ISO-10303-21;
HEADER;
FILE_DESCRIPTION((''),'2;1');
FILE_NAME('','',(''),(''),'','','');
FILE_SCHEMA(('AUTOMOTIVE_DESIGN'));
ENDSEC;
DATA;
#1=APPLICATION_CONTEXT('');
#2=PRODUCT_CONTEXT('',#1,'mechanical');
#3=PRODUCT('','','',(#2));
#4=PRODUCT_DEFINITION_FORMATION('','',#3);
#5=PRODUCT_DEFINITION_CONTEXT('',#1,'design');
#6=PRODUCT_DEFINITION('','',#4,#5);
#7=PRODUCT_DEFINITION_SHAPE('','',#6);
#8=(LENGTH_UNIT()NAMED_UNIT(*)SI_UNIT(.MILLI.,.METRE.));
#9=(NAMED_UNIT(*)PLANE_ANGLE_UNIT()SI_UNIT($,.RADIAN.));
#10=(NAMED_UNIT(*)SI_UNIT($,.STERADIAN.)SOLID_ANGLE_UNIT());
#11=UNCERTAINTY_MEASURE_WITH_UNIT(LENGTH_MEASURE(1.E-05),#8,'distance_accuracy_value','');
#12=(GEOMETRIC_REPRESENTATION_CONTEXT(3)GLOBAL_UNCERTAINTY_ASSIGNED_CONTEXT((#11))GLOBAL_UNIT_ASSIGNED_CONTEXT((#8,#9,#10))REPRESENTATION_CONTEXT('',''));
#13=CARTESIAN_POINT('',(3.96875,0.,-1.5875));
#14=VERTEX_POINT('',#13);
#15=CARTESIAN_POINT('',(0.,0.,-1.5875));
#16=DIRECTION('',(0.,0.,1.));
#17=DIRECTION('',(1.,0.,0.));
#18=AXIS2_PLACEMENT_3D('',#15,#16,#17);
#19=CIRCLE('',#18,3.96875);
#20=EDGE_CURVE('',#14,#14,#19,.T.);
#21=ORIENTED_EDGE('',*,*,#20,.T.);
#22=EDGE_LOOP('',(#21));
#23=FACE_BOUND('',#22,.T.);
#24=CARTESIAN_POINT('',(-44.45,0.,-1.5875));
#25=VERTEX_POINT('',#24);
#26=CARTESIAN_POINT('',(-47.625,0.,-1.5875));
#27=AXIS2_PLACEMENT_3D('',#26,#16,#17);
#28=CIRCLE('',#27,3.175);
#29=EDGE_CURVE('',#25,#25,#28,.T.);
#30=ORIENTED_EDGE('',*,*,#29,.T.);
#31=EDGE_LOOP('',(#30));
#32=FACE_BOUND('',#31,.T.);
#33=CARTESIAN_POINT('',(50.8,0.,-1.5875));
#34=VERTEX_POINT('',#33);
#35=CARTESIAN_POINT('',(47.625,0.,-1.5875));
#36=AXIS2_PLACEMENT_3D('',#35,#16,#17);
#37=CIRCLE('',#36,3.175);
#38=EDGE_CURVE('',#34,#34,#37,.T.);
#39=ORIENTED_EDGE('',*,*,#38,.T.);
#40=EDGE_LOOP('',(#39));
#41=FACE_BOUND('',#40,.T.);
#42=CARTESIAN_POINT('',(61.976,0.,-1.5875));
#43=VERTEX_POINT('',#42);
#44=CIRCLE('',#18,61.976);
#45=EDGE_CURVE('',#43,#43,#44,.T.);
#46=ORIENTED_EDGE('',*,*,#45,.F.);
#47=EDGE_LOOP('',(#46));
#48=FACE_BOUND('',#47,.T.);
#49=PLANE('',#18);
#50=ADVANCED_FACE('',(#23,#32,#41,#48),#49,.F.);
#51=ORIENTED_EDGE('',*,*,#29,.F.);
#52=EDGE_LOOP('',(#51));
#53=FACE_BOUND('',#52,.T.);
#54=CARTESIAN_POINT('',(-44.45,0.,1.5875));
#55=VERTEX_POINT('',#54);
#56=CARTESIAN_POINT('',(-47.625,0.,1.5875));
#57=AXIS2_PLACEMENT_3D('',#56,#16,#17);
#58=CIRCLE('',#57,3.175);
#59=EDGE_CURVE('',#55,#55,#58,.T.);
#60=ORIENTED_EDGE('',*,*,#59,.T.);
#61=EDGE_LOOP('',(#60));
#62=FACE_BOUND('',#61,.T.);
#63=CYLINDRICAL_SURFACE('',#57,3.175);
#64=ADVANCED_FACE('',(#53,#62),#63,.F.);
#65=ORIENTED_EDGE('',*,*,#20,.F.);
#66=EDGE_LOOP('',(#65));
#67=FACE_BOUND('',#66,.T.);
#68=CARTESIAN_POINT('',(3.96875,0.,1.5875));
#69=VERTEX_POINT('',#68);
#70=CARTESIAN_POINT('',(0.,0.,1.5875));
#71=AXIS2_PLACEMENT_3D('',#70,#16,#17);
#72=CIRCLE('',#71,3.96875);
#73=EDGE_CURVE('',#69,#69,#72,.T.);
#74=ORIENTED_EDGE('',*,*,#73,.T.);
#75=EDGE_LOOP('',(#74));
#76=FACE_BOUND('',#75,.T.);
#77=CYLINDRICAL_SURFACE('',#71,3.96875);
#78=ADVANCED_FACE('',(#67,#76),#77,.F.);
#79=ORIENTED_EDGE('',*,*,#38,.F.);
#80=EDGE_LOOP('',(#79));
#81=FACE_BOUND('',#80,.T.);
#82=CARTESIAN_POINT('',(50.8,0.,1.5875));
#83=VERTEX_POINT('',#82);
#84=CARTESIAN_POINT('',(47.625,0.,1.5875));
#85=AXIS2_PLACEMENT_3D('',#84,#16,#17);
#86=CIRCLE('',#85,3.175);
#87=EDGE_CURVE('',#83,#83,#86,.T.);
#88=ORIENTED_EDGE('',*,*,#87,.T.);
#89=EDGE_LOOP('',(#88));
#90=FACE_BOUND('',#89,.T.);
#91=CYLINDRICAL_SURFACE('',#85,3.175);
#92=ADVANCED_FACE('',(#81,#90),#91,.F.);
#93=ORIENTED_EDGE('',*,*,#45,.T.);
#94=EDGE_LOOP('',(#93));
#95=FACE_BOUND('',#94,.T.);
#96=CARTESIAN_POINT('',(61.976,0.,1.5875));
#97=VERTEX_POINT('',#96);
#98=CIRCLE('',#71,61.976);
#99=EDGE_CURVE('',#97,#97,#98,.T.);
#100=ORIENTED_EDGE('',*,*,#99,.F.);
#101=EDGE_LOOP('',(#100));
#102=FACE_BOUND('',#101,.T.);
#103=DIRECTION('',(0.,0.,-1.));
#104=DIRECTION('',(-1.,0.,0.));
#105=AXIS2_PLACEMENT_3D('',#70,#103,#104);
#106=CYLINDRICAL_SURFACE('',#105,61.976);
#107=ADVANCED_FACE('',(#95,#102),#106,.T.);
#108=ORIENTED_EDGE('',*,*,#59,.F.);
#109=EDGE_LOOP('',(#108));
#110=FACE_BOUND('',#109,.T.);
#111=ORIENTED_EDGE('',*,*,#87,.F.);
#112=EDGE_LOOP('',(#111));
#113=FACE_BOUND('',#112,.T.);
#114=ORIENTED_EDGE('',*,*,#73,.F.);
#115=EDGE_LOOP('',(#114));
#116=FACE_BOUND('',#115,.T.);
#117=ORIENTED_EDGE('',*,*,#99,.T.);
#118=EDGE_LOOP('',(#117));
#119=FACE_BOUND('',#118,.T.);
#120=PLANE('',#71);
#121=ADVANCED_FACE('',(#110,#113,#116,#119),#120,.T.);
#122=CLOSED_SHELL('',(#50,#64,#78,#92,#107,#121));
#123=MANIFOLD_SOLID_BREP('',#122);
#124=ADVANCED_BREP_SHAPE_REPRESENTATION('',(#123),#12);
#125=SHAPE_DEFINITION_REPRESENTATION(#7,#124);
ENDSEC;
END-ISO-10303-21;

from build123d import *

# Parameters (mm, degrees)
SKETCH1_R                          = 61.976
BOSS_EXTRUDE1_DEPTH                = 1.5875
F_1_4_0_25_DIAMETER_HOLE1_D        = 6.35
F_5_16_0_3125_DIAMETER_HOLE1_D     = 7.9375
F_5_16_0_3125_DIAMETER_HOLE1_DEPTH = 3.302


with BuildPart() as part:
    # Sketch1 → Boss-Extrude1 (new body, symmetric)
    with BuildSketch(Plane.XY):
        Circle(SKETCH1_R)
    extrude(amount=BOSS_EXTRUDE1_DEPTH, both=True)

    # 1/4 (0.25) Diameter Hole1 (through all)
    with Locations(Plane.XY.offset(1.5875)):
        with Locations((-47.625, 0), (47.625, 0)):
            Hole(F_1_4_0_25_DIAMETER_HOLE1_D / 2)

    # 5/16 (0.3125) Diameter Hole1
    with Locations(Plane.XY.offset(1.5875)):
        with Locations((0, 0)):
            Hole(F_5_16_0_3125_DIAMETER_HOLE1_D / 2, depth=F_5_16_0_3125_DIAMETER_HOLE1_DEPTH)


solid = part.part
